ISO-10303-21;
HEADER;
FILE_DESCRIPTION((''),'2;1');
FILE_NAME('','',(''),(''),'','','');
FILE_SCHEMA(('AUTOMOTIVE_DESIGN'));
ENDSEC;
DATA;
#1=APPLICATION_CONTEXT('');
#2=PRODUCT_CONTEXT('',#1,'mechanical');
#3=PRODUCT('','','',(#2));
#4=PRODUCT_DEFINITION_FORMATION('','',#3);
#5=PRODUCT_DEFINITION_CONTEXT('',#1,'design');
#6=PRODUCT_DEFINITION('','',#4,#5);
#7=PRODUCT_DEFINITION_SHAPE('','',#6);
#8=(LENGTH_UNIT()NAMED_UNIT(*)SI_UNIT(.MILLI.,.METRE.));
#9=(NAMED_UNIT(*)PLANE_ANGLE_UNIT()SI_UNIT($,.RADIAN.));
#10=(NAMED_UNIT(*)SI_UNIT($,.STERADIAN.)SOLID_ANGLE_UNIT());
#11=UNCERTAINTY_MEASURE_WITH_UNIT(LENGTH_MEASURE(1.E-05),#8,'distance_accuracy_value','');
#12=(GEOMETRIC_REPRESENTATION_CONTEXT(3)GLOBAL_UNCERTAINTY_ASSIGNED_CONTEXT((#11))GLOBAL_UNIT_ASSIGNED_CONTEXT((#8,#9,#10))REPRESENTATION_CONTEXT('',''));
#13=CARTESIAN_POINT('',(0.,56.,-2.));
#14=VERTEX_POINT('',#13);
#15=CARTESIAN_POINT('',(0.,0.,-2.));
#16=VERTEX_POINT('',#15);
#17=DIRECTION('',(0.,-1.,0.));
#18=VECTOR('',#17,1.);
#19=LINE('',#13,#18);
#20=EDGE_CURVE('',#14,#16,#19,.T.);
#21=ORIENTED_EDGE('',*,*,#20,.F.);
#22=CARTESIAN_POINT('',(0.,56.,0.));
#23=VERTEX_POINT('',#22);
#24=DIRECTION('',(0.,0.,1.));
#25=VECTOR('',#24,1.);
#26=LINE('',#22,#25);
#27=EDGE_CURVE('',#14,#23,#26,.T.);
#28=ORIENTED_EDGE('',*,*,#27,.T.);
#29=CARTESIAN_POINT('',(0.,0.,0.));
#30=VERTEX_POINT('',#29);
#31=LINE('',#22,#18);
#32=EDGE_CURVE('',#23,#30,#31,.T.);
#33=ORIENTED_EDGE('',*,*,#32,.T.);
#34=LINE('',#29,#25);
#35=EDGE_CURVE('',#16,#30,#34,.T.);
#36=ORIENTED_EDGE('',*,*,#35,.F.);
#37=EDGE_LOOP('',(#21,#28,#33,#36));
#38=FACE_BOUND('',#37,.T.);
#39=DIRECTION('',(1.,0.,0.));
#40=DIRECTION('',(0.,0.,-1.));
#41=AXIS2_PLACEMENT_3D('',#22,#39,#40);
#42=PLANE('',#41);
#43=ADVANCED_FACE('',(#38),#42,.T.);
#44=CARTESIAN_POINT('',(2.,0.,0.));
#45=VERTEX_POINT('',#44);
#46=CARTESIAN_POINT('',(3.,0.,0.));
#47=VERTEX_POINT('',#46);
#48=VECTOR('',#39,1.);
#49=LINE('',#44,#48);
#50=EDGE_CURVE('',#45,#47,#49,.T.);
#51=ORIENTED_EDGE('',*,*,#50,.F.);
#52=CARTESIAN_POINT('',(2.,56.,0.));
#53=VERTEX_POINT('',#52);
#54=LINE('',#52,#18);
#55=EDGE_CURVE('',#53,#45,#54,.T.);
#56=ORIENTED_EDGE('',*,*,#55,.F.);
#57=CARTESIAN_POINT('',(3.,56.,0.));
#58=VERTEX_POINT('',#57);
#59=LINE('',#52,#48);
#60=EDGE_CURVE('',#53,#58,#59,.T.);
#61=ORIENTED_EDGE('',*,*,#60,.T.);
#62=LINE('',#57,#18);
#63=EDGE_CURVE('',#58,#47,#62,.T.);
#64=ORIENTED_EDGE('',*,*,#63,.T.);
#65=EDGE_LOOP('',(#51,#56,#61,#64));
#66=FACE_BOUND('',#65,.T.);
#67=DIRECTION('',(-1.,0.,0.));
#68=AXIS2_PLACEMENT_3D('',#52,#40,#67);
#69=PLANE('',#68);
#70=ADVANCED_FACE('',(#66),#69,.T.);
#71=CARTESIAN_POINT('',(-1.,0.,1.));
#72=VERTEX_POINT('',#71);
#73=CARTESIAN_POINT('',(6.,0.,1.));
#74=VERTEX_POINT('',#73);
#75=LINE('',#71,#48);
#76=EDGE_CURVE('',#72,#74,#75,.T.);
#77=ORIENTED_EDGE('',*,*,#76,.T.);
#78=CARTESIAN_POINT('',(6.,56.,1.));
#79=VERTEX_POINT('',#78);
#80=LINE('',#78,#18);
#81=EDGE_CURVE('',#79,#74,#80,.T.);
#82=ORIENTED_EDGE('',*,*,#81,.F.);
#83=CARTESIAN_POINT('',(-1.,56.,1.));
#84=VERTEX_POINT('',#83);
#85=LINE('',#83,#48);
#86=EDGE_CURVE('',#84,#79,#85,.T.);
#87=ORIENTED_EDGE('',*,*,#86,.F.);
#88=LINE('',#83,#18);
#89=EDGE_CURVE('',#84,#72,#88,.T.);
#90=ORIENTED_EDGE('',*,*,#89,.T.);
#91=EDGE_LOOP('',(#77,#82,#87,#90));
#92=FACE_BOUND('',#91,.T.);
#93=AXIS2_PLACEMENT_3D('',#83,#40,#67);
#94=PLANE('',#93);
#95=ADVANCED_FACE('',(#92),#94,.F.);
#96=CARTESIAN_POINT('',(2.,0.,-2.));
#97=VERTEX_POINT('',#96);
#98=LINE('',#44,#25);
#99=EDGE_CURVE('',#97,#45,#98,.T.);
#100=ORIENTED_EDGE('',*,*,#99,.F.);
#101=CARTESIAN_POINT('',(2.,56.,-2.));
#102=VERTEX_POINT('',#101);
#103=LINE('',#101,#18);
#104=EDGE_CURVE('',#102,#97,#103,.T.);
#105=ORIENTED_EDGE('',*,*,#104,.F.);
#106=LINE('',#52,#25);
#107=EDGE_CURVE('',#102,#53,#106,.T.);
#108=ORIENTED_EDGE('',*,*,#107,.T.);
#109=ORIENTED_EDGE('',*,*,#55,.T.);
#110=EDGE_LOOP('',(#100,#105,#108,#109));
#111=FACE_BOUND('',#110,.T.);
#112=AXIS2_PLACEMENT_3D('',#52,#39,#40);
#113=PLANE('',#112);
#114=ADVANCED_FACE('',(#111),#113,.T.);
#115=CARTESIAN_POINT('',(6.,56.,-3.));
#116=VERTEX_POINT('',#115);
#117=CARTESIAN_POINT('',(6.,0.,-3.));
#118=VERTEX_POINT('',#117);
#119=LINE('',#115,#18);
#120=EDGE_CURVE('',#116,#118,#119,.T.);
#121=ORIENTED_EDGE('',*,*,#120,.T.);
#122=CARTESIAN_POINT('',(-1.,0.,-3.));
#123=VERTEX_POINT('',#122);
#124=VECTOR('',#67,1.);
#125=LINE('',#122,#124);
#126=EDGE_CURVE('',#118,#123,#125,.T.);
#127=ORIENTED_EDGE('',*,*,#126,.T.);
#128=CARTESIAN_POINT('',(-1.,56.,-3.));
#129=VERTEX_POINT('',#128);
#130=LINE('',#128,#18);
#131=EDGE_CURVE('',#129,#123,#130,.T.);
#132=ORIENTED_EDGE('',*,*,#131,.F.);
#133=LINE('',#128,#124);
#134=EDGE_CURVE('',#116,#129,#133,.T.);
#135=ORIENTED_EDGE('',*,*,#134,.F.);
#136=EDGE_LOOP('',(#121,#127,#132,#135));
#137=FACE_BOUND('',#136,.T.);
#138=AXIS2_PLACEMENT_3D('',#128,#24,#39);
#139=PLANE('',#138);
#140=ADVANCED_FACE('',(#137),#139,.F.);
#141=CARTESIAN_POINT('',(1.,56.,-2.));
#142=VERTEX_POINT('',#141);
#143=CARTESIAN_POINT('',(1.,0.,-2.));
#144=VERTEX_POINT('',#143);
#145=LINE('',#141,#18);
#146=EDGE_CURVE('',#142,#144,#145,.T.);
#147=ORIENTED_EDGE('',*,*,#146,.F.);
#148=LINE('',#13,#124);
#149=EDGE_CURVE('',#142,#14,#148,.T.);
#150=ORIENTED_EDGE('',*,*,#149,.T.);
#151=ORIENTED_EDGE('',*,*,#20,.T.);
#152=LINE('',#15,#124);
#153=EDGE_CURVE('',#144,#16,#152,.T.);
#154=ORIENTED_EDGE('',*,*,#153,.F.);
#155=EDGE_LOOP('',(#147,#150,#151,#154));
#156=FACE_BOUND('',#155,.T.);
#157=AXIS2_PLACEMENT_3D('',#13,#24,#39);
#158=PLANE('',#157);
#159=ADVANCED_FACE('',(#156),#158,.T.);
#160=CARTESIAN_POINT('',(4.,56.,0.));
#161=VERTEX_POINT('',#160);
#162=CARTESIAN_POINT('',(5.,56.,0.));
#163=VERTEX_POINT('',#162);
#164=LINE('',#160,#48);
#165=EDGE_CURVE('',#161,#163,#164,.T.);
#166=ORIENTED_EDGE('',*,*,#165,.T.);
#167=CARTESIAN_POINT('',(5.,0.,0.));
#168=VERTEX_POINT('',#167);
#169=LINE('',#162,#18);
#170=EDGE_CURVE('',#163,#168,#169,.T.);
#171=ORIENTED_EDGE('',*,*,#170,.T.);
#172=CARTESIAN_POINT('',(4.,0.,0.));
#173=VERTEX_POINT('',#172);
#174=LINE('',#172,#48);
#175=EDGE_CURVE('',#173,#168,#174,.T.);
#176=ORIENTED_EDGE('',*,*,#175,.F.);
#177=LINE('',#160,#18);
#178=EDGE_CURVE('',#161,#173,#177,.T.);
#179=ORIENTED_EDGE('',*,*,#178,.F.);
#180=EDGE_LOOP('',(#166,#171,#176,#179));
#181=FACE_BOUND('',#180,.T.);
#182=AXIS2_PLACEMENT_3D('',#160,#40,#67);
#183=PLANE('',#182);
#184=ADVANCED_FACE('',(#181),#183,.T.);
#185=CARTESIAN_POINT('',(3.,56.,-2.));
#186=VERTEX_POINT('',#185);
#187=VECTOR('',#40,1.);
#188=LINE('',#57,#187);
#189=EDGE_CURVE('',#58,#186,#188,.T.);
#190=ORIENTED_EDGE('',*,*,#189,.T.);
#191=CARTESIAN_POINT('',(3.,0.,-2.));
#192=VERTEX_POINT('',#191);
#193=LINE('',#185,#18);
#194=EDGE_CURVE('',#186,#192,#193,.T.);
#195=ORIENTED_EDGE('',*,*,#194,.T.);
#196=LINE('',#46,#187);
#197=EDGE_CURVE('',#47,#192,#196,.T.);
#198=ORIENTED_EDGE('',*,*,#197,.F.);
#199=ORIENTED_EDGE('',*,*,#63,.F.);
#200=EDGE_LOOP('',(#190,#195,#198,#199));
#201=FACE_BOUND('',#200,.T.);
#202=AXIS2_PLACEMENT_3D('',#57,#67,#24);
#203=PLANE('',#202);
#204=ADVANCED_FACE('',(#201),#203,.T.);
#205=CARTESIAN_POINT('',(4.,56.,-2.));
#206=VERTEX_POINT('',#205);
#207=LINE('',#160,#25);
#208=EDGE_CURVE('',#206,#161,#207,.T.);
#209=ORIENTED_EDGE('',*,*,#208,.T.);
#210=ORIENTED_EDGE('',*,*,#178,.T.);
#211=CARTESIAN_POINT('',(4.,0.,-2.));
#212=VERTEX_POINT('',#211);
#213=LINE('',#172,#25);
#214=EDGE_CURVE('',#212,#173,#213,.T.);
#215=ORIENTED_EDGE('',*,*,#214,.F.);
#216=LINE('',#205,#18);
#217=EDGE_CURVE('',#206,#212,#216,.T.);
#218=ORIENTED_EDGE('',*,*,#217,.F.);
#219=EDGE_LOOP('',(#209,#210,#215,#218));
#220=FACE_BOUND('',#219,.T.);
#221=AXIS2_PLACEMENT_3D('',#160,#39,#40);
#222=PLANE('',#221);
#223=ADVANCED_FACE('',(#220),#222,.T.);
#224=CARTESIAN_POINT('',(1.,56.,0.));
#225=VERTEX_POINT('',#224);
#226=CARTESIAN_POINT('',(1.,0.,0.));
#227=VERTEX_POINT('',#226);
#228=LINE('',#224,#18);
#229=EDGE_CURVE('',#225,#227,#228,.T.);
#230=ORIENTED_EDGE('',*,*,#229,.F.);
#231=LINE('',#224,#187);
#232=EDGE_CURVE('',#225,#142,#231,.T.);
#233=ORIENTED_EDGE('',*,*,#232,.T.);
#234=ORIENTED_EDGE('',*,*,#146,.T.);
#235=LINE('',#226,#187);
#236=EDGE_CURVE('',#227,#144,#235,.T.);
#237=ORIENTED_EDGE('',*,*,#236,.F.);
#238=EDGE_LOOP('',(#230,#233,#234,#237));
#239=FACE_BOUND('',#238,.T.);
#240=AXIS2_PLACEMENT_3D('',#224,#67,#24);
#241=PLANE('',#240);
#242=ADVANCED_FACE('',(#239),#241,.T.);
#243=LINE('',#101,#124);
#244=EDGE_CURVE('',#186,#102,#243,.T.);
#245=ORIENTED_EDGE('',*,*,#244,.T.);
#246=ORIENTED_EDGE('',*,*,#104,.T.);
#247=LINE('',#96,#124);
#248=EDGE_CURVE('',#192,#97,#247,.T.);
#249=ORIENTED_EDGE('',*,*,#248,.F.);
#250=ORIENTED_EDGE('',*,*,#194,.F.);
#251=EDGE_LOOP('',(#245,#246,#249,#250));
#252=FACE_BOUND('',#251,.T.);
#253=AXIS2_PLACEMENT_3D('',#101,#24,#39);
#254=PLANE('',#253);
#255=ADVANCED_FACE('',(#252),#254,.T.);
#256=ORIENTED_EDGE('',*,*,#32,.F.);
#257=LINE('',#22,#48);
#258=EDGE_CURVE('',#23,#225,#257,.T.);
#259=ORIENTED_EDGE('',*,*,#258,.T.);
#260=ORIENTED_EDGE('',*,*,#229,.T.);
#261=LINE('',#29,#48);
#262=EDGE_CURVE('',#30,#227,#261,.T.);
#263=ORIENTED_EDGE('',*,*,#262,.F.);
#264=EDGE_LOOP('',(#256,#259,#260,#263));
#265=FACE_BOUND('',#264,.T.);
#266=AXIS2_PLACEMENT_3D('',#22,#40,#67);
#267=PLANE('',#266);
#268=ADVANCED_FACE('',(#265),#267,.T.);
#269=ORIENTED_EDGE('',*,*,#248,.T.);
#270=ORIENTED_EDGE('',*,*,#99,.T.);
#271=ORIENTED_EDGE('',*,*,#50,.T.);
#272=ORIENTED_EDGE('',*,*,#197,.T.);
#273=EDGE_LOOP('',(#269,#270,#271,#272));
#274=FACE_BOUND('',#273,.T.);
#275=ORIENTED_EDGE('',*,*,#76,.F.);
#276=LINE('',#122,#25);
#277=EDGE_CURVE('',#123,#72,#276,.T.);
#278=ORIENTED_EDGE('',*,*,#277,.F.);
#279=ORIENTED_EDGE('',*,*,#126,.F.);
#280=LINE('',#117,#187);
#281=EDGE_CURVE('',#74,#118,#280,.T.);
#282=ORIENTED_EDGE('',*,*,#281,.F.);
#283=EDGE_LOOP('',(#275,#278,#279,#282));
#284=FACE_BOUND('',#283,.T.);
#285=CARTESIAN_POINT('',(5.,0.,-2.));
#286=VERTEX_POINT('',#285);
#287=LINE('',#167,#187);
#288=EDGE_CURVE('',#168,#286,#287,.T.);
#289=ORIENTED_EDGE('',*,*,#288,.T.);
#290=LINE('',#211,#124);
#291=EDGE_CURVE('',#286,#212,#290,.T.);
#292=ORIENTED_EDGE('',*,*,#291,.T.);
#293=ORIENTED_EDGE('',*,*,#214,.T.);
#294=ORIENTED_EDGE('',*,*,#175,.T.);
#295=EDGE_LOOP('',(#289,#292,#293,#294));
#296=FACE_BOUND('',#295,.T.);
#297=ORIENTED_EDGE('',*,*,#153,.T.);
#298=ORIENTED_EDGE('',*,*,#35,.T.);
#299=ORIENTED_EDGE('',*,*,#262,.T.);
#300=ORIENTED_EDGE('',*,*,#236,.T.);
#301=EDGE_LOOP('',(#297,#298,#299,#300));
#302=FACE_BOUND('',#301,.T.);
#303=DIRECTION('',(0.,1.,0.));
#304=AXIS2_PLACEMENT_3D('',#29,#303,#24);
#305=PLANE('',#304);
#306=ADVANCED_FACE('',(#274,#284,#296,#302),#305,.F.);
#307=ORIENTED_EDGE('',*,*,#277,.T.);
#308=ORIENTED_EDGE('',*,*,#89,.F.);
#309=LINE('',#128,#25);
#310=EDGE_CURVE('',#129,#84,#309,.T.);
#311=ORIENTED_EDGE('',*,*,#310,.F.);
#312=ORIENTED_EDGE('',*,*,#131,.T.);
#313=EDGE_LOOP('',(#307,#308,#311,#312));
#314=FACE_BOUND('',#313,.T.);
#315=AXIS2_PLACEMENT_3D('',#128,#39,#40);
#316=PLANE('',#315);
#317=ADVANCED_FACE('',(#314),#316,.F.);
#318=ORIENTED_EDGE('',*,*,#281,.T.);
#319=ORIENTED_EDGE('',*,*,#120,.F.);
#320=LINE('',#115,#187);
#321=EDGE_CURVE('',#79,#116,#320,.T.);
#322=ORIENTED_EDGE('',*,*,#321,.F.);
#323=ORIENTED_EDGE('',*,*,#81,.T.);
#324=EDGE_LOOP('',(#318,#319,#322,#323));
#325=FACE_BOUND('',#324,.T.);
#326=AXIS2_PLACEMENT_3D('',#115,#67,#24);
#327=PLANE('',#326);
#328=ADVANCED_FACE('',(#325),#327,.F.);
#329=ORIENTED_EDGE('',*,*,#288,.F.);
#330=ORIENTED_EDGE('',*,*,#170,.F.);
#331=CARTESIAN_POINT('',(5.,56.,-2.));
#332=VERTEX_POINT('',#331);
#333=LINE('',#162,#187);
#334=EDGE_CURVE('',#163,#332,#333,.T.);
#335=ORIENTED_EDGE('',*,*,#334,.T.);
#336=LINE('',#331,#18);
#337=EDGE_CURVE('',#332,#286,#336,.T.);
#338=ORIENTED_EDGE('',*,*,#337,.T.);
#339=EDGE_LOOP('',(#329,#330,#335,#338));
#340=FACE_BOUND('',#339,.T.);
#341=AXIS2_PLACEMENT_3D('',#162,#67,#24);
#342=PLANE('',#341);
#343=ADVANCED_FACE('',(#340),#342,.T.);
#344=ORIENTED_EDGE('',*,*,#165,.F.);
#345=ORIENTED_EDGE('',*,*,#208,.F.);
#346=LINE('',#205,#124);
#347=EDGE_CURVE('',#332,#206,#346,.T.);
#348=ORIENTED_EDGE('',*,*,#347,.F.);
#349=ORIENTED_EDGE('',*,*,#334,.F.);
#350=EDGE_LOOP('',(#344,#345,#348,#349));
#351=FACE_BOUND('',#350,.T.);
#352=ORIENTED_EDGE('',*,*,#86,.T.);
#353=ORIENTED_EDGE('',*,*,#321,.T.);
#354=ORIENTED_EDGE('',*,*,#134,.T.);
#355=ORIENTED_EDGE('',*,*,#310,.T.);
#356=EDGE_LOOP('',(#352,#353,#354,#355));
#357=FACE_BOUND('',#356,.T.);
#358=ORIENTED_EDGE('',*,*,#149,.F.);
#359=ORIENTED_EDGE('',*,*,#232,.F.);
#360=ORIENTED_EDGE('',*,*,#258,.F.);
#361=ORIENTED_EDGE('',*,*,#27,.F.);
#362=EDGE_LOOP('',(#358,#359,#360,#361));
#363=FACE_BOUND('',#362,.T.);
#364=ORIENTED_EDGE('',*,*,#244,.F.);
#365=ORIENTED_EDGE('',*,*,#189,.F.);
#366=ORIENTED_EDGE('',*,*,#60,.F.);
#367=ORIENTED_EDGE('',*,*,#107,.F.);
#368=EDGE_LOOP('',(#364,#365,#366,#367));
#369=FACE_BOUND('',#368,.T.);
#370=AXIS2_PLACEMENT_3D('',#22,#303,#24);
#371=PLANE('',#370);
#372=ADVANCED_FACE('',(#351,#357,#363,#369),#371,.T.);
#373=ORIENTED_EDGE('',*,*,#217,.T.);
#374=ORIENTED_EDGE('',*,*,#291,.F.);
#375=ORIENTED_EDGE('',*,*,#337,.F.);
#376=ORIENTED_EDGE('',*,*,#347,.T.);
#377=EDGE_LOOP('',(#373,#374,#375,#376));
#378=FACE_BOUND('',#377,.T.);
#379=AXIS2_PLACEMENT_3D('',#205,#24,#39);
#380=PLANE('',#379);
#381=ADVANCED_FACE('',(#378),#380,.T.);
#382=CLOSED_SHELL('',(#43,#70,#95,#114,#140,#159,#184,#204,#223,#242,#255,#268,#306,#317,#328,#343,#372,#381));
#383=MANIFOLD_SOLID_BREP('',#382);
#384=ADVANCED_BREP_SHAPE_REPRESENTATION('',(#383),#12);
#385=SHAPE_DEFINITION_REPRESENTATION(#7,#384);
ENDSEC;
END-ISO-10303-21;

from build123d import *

# Parameters (mm, degrees)
SKETCH1_W           = 7
SKETCH1_H           = 4
SKETCH1_W_2         = 1
SKETCH1_H_2         = 2
BOSS_EXTRUDE1_DEPTH = 56


with BuildPart() as part:
    # Sketch1 → Boss-Extrude1 (new body)
    with BuildSketch(Plane(origin=(0, 0, 0), x_dir=(1, 0, 0), z_dir=(0, 1, 0))):
        with Locations((2.5, 1)):
            Rectangle(SKETCH1_W, SKETCH1_H)
        with Locations((0.5, 1)):
            Rectangle(SKETCH1_W_2, SKETCH1_H_2, mode=Mode.SUBTRACT)
        with Locations((2.5, 1)):
            Rectangle(SKETCH1_W_2, SKETCH1_H_2, mode=Mode.SUBTRACT)
        with Locations((4.5, 1)):
            Rectangle(SKETCH1_W_2, SKETCH1_H_2, mode=Mode.SUBTRACT)
    extrude(amount=BOSS_EXTRUDE1_DEPTH)


solid = part.part
